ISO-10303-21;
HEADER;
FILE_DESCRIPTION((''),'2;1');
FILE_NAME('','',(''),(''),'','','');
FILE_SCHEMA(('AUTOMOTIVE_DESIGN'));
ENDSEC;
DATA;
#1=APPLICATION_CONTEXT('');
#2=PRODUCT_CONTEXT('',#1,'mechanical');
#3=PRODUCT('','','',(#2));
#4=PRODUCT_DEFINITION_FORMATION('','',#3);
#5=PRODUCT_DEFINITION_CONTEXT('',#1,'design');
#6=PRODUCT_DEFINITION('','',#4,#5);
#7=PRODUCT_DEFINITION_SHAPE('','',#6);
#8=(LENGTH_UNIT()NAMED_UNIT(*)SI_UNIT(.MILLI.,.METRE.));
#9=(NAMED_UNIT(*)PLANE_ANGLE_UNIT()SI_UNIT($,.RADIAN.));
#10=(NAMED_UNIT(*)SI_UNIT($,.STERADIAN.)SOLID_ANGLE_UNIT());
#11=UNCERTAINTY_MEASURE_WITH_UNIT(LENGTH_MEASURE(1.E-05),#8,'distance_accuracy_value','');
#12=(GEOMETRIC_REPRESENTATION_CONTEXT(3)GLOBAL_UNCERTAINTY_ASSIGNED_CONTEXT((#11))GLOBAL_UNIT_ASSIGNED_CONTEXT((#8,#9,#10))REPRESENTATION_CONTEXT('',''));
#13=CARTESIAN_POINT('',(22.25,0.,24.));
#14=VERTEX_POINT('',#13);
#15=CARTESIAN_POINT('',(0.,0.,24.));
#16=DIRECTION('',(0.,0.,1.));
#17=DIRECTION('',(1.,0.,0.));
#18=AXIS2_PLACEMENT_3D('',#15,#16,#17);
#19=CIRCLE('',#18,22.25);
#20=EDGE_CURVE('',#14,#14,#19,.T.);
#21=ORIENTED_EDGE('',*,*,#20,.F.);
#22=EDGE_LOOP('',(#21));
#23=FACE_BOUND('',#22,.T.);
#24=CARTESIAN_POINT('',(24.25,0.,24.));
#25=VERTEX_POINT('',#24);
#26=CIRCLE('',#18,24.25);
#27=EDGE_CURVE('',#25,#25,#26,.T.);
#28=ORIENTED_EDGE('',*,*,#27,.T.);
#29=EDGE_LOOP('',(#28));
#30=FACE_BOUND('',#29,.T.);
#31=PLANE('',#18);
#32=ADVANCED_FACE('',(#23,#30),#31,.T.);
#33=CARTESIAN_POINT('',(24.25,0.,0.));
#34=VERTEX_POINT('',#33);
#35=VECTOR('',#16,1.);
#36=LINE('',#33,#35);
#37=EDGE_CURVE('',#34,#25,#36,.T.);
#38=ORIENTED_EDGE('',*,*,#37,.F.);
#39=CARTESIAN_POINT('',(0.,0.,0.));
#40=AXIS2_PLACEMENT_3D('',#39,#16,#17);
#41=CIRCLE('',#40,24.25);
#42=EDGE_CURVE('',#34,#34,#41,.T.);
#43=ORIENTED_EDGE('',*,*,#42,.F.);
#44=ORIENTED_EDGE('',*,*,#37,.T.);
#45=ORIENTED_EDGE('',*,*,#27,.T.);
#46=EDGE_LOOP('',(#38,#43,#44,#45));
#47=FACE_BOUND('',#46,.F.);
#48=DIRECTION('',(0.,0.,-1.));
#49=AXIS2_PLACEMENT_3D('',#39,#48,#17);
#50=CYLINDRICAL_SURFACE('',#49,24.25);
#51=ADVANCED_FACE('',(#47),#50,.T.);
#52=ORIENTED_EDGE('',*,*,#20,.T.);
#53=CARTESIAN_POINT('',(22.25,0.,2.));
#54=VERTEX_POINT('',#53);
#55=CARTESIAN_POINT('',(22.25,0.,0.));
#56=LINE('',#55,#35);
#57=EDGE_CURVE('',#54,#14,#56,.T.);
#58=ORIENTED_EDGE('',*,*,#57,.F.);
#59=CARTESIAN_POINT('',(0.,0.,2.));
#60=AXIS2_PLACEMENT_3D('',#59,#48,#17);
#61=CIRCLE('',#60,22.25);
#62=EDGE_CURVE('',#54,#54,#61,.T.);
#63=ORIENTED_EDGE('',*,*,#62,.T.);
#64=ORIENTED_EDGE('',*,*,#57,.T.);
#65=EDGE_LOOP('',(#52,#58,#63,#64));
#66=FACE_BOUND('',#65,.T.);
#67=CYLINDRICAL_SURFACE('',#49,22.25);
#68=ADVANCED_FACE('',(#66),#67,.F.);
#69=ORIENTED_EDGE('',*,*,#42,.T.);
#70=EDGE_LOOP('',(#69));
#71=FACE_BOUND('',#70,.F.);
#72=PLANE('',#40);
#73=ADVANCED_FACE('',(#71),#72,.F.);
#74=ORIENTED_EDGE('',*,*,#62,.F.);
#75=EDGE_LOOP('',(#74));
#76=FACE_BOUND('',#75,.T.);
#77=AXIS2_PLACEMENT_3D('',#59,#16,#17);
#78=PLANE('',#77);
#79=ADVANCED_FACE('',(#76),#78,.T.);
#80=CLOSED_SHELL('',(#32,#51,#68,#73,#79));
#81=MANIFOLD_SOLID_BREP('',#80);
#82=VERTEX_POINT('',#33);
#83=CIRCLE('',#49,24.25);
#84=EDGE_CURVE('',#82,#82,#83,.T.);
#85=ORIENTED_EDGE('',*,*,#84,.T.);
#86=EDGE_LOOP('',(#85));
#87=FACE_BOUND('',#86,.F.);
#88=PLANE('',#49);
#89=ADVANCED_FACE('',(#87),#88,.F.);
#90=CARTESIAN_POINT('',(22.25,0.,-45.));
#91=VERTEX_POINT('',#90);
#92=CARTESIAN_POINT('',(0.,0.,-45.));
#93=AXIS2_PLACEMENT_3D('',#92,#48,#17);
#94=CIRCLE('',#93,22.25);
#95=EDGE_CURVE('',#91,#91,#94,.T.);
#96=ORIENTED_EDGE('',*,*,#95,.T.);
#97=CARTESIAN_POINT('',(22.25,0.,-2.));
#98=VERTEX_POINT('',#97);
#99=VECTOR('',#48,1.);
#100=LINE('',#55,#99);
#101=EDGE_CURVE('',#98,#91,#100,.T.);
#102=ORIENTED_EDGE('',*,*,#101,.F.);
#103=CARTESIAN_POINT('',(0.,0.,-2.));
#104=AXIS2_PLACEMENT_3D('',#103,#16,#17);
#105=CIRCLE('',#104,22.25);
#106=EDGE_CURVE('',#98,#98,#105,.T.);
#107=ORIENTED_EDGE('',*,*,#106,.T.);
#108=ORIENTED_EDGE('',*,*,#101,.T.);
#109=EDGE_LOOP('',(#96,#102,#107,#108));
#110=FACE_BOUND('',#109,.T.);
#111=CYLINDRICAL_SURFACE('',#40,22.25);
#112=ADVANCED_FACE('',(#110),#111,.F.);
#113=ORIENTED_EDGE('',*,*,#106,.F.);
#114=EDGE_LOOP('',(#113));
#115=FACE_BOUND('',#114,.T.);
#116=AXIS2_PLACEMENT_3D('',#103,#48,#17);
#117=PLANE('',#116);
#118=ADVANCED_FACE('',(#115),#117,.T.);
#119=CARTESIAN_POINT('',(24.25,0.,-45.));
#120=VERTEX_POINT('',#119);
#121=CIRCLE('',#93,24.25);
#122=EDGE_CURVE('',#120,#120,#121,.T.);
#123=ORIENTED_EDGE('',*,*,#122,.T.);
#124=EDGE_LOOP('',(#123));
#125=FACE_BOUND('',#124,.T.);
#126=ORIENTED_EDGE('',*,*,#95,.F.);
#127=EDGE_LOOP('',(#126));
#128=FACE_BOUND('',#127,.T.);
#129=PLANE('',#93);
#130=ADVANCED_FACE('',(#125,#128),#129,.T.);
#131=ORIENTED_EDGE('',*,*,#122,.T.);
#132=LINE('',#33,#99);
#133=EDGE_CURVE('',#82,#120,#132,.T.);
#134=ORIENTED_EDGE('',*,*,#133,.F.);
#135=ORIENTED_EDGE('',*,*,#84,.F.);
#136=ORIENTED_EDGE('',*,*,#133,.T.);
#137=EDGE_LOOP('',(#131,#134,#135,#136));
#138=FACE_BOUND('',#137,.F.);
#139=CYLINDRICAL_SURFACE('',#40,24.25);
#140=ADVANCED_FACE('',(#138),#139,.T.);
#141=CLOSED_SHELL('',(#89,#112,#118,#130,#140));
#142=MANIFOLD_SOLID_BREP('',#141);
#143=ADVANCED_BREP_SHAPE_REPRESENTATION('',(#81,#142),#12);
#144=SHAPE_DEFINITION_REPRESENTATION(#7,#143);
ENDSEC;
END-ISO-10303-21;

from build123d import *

# Parameters (mm, degrees)
F0_R     = 24.25
F1_DEPTH = 24
F2_T     = -2
F3_R     = 24.25
F4_DEPTH = 45
F5_T     = -2


with BuildPart() as f1:
    # F0 (on Top) → F1 (new body)
    with BuildSketch(Plane.XY):
        Circle(F0_R)
    extrude(amount=F1_DEPTH)

    # F2
    f2_openings = [f1.faces().sort_by_distance(p)[0] for p in [
        (0, 0, 24),
    ]]
    offset(amount=F2_T, openings=f2_openings)


with BuildPart() as f4:
    # F3 (on face) → F4 (new body)
    with BuildSketch(Plane(origin=(0, 0, 0), x_dir=(1, 0, 0), z_dir=(0, 0, -1))):
        Circle(F3_R)
    extrude(amount=F4_DEPTH)

    # F5
    f5_openings = [f4.faces().sort_by_distance(p)[0] for p in [
        (0, 0, -45),
    ]]
    offset(amount=F5_T, openings=f5_openings)


solid = Compound([f1.part, f4.part])
